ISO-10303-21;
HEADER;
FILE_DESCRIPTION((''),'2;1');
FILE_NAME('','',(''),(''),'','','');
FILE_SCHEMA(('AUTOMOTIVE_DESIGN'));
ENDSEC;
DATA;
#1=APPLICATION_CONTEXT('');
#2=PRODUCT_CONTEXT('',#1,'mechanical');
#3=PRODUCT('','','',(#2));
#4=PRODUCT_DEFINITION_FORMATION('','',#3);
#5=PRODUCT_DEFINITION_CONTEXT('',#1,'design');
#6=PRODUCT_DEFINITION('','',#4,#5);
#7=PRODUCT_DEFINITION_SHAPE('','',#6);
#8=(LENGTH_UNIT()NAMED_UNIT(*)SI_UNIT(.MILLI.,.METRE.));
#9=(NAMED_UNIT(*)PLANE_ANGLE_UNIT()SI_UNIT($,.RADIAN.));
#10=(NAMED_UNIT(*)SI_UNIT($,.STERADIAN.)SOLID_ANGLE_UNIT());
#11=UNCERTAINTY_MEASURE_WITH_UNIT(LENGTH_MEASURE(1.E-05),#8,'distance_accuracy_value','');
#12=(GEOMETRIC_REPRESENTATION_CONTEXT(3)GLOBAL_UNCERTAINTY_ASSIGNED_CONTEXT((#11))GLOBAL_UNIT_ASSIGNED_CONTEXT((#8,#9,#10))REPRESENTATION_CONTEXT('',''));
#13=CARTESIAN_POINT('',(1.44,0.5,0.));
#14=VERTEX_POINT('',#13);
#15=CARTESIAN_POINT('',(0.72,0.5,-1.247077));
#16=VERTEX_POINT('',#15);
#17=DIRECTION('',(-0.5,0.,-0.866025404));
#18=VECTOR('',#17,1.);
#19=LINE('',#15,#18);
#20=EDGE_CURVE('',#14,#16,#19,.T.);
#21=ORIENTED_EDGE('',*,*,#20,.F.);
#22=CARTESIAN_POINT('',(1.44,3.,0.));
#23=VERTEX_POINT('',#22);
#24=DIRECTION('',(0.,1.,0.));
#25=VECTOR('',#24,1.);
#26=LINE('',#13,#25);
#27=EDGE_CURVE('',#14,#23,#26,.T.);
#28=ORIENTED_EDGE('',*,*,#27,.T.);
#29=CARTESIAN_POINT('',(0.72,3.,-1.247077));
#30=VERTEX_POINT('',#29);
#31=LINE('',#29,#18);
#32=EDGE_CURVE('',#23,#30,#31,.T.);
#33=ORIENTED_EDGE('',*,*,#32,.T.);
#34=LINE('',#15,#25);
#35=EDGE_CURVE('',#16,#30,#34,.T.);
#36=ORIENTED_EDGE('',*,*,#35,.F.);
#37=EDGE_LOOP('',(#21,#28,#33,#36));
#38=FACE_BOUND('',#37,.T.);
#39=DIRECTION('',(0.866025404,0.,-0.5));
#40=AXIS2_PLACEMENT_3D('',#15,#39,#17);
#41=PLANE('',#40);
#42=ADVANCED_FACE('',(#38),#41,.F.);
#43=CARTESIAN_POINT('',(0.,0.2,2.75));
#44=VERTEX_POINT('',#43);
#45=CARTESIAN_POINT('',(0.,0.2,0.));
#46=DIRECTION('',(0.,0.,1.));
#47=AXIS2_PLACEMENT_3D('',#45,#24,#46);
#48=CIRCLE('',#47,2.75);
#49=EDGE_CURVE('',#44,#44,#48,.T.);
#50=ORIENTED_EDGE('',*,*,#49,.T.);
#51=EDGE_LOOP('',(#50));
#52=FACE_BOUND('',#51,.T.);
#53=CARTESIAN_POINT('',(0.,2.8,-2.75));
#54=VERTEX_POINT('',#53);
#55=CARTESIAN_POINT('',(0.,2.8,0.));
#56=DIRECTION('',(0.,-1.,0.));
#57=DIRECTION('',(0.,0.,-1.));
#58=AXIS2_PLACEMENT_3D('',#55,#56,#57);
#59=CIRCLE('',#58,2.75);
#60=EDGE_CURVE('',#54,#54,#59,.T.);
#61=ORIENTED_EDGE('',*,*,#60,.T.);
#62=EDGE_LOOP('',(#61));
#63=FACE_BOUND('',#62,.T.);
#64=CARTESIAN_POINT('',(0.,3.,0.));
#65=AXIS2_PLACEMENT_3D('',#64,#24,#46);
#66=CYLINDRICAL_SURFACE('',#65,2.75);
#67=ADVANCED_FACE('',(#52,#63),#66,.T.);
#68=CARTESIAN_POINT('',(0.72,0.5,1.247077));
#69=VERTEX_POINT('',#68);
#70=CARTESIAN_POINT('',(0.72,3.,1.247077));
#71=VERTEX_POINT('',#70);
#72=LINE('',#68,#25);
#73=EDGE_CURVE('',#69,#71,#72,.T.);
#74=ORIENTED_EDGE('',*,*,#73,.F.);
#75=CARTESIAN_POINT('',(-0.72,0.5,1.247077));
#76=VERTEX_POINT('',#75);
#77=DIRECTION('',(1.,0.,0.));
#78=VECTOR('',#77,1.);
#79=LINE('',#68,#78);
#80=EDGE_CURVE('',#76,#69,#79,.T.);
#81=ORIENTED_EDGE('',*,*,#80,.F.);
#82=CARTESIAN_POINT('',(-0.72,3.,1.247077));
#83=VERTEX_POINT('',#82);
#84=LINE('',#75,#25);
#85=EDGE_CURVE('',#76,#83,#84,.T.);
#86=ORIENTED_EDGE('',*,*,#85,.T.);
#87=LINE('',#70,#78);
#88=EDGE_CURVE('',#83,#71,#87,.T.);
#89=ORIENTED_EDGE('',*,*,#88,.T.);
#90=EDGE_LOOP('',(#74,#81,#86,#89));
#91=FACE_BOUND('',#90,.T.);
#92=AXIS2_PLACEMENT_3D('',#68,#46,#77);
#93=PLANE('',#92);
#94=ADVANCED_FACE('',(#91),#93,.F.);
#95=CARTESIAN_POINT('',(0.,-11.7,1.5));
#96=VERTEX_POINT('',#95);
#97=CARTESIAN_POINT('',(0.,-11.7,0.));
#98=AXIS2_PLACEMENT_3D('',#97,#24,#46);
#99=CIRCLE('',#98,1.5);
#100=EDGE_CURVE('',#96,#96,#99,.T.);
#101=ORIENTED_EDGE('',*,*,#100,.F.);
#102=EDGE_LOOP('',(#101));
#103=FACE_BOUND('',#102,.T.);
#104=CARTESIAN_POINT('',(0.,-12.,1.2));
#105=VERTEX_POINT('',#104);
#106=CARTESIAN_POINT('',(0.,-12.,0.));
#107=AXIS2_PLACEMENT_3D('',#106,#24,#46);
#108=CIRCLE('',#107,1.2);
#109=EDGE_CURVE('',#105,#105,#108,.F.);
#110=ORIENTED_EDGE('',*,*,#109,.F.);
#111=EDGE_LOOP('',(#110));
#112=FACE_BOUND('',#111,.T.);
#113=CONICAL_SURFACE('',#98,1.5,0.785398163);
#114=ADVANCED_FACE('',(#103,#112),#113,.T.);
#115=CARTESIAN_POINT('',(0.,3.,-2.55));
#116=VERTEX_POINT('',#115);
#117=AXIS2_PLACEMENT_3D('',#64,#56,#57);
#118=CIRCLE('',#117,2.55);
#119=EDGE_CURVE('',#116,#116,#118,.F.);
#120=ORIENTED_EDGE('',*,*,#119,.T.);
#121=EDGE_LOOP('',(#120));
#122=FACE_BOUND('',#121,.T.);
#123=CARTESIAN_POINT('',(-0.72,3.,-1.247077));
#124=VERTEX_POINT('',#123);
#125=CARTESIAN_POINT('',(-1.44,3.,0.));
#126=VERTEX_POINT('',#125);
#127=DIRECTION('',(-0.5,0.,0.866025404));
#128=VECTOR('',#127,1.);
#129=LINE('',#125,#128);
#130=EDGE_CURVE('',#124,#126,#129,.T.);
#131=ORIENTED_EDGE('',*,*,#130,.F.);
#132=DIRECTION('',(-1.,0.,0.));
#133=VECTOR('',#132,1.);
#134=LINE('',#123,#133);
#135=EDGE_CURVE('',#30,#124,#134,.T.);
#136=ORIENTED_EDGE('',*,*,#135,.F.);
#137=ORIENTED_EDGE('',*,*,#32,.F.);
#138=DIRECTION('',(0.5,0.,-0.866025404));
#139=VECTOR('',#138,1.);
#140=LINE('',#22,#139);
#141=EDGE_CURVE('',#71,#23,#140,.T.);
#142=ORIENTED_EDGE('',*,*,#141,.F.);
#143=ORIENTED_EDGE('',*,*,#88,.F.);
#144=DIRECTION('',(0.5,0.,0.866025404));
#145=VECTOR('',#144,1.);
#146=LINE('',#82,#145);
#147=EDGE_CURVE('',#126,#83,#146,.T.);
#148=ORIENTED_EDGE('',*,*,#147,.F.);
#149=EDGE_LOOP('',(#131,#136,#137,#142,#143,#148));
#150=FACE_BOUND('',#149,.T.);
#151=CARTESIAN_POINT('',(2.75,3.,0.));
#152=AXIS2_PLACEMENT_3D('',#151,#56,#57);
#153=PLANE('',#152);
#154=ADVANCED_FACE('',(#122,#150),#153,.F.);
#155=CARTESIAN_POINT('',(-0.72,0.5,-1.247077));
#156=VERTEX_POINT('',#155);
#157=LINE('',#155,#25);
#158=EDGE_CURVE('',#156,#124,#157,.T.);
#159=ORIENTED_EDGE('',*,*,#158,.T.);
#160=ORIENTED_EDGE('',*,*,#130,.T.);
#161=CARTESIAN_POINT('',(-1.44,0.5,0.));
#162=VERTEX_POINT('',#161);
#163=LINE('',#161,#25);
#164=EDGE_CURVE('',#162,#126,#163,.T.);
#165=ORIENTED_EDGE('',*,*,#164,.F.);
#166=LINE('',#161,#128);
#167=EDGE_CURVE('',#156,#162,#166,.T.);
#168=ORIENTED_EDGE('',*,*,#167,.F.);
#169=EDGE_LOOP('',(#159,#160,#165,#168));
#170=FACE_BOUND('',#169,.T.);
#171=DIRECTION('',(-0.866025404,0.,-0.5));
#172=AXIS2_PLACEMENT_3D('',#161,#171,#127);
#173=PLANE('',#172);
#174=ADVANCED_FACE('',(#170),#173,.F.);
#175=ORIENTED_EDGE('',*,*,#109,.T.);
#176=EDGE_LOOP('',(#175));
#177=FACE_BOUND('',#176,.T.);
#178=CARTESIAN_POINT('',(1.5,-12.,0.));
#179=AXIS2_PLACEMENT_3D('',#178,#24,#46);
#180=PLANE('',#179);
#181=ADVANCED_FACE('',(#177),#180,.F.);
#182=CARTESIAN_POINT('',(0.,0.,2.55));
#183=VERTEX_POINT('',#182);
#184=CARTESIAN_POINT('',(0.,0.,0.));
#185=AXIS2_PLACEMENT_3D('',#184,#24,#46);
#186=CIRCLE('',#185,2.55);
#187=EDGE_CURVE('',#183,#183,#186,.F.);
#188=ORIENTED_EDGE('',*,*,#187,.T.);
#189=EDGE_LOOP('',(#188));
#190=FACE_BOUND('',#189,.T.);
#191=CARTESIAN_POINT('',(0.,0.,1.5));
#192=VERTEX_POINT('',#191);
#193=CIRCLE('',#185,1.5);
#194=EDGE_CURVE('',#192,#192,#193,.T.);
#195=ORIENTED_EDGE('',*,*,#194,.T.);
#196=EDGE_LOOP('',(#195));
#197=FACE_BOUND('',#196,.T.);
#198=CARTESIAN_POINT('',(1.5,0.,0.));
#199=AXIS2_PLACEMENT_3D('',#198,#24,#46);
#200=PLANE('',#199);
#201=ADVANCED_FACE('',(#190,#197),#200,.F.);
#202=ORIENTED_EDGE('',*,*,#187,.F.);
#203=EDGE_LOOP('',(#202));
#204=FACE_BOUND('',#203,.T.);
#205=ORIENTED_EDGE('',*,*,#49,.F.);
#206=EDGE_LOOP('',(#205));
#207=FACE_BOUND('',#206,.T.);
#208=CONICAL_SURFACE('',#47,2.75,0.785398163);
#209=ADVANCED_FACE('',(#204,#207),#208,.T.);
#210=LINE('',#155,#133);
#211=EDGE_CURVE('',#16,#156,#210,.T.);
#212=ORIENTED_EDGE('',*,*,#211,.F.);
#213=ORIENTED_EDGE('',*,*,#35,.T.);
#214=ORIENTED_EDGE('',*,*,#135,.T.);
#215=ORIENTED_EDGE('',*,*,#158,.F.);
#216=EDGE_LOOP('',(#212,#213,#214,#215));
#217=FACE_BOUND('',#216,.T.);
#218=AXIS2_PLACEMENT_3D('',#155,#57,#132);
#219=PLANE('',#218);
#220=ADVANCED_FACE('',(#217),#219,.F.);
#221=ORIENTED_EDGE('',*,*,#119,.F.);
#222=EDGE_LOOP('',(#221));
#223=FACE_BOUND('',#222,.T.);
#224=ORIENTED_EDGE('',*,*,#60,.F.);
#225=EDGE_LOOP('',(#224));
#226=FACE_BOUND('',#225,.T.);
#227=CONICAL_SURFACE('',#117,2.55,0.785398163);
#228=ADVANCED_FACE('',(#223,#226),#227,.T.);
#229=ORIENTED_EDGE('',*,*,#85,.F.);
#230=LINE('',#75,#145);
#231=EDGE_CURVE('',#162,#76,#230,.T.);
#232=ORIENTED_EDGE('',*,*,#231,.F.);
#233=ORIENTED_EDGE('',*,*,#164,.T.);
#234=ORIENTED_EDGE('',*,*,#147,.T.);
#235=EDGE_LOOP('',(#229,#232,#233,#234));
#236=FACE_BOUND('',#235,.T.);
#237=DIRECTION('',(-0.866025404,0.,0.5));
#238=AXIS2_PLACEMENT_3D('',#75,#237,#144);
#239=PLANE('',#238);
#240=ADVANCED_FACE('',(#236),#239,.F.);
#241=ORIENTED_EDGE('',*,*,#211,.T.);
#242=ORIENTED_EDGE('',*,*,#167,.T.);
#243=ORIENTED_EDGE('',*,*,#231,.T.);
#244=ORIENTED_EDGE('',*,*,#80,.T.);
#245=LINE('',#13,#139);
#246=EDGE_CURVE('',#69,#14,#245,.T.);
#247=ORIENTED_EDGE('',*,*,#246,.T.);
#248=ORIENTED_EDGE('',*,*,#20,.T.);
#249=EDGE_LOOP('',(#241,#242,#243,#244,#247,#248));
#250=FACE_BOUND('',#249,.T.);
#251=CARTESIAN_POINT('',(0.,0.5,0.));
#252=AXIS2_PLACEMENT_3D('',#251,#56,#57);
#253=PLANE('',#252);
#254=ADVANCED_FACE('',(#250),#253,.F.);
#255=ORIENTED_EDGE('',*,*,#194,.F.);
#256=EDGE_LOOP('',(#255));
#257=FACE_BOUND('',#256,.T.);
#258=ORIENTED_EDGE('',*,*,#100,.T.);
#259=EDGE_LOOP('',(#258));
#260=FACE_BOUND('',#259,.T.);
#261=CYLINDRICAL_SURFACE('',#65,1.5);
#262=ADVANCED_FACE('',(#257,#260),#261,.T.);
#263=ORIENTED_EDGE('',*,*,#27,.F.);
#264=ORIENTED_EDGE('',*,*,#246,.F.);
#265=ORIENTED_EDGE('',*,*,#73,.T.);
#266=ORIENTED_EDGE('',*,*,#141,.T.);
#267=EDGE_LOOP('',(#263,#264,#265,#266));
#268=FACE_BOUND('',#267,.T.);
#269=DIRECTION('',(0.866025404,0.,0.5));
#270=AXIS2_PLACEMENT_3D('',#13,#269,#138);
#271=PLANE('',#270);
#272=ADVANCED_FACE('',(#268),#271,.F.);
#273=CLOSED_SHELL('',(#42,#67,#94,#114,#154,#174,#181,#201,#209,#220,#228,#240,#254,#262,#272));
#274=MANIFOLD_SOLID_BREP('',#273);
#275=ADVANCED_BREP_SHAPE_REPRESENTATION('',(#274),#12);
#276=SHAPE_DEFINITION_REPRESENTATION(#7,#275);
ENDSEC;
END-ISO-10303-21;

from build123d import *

# Parameters (mm, degrees)
CHAMFER_1_SIZE      = 0.2
CHAMFER_2_SIZE      = 0.3
CUT_EXTRUDE_1_DEPTH = 2.5


with BuildPart() as part:
    # 草图1 → 旋转1 (revolve)
    with BuildSketch(Plane.XY, mode=Mode.PRIVATE) as revolve_1_sk:
        Polygon((1.5, 0), (2.75, 0), (2.75, 3), (0, 3), (0, 0), (0, -12), (1.5, -12), align=None)
    revolve(revolve_1_sk.sketch.rotate(Axis((0, 3, 0), (0, -1, 0)), 90), axis=Axis((0, 3, 0), (0, -1, 0)))

    # 倒角1
    chamfer_1_edges = [part.edges().sort_by_distance(p)[0] for p in [
        (0, 3, -2.75),
        (0, 0, -2.75),
    ]]
    chamfer(chamfer_1_edges, length=CHAMFER_1_SIZE)

    # 倒角2
    chamfer_2_edges = [part.edges().sort_by_distance(p)[0] for p in [
        (0, -12, -1.5),
    ]]
    chamfer(chamfer_2_edges, length=CHAMFER_2_SIZE)

    # 草图2 → 切除-拉伸1 (cut)
    with BuildSketch(Plane(origin=(0, 3, 0), x_dir=(1, 0, 0), z_dir=(0, 1, 0))):
        Polygon((-0.72, 1.247076581), (0.72, 1.247076581), (1.44, 0), (0.72, -1.247076581), (-0.72, -1.247076581), (-1.44, 0), align=None)
    extrude(amount=-CUT_EXTRUDE_1_DEPTH, mode=Mode.SUBTRACT)


solid = part.part
